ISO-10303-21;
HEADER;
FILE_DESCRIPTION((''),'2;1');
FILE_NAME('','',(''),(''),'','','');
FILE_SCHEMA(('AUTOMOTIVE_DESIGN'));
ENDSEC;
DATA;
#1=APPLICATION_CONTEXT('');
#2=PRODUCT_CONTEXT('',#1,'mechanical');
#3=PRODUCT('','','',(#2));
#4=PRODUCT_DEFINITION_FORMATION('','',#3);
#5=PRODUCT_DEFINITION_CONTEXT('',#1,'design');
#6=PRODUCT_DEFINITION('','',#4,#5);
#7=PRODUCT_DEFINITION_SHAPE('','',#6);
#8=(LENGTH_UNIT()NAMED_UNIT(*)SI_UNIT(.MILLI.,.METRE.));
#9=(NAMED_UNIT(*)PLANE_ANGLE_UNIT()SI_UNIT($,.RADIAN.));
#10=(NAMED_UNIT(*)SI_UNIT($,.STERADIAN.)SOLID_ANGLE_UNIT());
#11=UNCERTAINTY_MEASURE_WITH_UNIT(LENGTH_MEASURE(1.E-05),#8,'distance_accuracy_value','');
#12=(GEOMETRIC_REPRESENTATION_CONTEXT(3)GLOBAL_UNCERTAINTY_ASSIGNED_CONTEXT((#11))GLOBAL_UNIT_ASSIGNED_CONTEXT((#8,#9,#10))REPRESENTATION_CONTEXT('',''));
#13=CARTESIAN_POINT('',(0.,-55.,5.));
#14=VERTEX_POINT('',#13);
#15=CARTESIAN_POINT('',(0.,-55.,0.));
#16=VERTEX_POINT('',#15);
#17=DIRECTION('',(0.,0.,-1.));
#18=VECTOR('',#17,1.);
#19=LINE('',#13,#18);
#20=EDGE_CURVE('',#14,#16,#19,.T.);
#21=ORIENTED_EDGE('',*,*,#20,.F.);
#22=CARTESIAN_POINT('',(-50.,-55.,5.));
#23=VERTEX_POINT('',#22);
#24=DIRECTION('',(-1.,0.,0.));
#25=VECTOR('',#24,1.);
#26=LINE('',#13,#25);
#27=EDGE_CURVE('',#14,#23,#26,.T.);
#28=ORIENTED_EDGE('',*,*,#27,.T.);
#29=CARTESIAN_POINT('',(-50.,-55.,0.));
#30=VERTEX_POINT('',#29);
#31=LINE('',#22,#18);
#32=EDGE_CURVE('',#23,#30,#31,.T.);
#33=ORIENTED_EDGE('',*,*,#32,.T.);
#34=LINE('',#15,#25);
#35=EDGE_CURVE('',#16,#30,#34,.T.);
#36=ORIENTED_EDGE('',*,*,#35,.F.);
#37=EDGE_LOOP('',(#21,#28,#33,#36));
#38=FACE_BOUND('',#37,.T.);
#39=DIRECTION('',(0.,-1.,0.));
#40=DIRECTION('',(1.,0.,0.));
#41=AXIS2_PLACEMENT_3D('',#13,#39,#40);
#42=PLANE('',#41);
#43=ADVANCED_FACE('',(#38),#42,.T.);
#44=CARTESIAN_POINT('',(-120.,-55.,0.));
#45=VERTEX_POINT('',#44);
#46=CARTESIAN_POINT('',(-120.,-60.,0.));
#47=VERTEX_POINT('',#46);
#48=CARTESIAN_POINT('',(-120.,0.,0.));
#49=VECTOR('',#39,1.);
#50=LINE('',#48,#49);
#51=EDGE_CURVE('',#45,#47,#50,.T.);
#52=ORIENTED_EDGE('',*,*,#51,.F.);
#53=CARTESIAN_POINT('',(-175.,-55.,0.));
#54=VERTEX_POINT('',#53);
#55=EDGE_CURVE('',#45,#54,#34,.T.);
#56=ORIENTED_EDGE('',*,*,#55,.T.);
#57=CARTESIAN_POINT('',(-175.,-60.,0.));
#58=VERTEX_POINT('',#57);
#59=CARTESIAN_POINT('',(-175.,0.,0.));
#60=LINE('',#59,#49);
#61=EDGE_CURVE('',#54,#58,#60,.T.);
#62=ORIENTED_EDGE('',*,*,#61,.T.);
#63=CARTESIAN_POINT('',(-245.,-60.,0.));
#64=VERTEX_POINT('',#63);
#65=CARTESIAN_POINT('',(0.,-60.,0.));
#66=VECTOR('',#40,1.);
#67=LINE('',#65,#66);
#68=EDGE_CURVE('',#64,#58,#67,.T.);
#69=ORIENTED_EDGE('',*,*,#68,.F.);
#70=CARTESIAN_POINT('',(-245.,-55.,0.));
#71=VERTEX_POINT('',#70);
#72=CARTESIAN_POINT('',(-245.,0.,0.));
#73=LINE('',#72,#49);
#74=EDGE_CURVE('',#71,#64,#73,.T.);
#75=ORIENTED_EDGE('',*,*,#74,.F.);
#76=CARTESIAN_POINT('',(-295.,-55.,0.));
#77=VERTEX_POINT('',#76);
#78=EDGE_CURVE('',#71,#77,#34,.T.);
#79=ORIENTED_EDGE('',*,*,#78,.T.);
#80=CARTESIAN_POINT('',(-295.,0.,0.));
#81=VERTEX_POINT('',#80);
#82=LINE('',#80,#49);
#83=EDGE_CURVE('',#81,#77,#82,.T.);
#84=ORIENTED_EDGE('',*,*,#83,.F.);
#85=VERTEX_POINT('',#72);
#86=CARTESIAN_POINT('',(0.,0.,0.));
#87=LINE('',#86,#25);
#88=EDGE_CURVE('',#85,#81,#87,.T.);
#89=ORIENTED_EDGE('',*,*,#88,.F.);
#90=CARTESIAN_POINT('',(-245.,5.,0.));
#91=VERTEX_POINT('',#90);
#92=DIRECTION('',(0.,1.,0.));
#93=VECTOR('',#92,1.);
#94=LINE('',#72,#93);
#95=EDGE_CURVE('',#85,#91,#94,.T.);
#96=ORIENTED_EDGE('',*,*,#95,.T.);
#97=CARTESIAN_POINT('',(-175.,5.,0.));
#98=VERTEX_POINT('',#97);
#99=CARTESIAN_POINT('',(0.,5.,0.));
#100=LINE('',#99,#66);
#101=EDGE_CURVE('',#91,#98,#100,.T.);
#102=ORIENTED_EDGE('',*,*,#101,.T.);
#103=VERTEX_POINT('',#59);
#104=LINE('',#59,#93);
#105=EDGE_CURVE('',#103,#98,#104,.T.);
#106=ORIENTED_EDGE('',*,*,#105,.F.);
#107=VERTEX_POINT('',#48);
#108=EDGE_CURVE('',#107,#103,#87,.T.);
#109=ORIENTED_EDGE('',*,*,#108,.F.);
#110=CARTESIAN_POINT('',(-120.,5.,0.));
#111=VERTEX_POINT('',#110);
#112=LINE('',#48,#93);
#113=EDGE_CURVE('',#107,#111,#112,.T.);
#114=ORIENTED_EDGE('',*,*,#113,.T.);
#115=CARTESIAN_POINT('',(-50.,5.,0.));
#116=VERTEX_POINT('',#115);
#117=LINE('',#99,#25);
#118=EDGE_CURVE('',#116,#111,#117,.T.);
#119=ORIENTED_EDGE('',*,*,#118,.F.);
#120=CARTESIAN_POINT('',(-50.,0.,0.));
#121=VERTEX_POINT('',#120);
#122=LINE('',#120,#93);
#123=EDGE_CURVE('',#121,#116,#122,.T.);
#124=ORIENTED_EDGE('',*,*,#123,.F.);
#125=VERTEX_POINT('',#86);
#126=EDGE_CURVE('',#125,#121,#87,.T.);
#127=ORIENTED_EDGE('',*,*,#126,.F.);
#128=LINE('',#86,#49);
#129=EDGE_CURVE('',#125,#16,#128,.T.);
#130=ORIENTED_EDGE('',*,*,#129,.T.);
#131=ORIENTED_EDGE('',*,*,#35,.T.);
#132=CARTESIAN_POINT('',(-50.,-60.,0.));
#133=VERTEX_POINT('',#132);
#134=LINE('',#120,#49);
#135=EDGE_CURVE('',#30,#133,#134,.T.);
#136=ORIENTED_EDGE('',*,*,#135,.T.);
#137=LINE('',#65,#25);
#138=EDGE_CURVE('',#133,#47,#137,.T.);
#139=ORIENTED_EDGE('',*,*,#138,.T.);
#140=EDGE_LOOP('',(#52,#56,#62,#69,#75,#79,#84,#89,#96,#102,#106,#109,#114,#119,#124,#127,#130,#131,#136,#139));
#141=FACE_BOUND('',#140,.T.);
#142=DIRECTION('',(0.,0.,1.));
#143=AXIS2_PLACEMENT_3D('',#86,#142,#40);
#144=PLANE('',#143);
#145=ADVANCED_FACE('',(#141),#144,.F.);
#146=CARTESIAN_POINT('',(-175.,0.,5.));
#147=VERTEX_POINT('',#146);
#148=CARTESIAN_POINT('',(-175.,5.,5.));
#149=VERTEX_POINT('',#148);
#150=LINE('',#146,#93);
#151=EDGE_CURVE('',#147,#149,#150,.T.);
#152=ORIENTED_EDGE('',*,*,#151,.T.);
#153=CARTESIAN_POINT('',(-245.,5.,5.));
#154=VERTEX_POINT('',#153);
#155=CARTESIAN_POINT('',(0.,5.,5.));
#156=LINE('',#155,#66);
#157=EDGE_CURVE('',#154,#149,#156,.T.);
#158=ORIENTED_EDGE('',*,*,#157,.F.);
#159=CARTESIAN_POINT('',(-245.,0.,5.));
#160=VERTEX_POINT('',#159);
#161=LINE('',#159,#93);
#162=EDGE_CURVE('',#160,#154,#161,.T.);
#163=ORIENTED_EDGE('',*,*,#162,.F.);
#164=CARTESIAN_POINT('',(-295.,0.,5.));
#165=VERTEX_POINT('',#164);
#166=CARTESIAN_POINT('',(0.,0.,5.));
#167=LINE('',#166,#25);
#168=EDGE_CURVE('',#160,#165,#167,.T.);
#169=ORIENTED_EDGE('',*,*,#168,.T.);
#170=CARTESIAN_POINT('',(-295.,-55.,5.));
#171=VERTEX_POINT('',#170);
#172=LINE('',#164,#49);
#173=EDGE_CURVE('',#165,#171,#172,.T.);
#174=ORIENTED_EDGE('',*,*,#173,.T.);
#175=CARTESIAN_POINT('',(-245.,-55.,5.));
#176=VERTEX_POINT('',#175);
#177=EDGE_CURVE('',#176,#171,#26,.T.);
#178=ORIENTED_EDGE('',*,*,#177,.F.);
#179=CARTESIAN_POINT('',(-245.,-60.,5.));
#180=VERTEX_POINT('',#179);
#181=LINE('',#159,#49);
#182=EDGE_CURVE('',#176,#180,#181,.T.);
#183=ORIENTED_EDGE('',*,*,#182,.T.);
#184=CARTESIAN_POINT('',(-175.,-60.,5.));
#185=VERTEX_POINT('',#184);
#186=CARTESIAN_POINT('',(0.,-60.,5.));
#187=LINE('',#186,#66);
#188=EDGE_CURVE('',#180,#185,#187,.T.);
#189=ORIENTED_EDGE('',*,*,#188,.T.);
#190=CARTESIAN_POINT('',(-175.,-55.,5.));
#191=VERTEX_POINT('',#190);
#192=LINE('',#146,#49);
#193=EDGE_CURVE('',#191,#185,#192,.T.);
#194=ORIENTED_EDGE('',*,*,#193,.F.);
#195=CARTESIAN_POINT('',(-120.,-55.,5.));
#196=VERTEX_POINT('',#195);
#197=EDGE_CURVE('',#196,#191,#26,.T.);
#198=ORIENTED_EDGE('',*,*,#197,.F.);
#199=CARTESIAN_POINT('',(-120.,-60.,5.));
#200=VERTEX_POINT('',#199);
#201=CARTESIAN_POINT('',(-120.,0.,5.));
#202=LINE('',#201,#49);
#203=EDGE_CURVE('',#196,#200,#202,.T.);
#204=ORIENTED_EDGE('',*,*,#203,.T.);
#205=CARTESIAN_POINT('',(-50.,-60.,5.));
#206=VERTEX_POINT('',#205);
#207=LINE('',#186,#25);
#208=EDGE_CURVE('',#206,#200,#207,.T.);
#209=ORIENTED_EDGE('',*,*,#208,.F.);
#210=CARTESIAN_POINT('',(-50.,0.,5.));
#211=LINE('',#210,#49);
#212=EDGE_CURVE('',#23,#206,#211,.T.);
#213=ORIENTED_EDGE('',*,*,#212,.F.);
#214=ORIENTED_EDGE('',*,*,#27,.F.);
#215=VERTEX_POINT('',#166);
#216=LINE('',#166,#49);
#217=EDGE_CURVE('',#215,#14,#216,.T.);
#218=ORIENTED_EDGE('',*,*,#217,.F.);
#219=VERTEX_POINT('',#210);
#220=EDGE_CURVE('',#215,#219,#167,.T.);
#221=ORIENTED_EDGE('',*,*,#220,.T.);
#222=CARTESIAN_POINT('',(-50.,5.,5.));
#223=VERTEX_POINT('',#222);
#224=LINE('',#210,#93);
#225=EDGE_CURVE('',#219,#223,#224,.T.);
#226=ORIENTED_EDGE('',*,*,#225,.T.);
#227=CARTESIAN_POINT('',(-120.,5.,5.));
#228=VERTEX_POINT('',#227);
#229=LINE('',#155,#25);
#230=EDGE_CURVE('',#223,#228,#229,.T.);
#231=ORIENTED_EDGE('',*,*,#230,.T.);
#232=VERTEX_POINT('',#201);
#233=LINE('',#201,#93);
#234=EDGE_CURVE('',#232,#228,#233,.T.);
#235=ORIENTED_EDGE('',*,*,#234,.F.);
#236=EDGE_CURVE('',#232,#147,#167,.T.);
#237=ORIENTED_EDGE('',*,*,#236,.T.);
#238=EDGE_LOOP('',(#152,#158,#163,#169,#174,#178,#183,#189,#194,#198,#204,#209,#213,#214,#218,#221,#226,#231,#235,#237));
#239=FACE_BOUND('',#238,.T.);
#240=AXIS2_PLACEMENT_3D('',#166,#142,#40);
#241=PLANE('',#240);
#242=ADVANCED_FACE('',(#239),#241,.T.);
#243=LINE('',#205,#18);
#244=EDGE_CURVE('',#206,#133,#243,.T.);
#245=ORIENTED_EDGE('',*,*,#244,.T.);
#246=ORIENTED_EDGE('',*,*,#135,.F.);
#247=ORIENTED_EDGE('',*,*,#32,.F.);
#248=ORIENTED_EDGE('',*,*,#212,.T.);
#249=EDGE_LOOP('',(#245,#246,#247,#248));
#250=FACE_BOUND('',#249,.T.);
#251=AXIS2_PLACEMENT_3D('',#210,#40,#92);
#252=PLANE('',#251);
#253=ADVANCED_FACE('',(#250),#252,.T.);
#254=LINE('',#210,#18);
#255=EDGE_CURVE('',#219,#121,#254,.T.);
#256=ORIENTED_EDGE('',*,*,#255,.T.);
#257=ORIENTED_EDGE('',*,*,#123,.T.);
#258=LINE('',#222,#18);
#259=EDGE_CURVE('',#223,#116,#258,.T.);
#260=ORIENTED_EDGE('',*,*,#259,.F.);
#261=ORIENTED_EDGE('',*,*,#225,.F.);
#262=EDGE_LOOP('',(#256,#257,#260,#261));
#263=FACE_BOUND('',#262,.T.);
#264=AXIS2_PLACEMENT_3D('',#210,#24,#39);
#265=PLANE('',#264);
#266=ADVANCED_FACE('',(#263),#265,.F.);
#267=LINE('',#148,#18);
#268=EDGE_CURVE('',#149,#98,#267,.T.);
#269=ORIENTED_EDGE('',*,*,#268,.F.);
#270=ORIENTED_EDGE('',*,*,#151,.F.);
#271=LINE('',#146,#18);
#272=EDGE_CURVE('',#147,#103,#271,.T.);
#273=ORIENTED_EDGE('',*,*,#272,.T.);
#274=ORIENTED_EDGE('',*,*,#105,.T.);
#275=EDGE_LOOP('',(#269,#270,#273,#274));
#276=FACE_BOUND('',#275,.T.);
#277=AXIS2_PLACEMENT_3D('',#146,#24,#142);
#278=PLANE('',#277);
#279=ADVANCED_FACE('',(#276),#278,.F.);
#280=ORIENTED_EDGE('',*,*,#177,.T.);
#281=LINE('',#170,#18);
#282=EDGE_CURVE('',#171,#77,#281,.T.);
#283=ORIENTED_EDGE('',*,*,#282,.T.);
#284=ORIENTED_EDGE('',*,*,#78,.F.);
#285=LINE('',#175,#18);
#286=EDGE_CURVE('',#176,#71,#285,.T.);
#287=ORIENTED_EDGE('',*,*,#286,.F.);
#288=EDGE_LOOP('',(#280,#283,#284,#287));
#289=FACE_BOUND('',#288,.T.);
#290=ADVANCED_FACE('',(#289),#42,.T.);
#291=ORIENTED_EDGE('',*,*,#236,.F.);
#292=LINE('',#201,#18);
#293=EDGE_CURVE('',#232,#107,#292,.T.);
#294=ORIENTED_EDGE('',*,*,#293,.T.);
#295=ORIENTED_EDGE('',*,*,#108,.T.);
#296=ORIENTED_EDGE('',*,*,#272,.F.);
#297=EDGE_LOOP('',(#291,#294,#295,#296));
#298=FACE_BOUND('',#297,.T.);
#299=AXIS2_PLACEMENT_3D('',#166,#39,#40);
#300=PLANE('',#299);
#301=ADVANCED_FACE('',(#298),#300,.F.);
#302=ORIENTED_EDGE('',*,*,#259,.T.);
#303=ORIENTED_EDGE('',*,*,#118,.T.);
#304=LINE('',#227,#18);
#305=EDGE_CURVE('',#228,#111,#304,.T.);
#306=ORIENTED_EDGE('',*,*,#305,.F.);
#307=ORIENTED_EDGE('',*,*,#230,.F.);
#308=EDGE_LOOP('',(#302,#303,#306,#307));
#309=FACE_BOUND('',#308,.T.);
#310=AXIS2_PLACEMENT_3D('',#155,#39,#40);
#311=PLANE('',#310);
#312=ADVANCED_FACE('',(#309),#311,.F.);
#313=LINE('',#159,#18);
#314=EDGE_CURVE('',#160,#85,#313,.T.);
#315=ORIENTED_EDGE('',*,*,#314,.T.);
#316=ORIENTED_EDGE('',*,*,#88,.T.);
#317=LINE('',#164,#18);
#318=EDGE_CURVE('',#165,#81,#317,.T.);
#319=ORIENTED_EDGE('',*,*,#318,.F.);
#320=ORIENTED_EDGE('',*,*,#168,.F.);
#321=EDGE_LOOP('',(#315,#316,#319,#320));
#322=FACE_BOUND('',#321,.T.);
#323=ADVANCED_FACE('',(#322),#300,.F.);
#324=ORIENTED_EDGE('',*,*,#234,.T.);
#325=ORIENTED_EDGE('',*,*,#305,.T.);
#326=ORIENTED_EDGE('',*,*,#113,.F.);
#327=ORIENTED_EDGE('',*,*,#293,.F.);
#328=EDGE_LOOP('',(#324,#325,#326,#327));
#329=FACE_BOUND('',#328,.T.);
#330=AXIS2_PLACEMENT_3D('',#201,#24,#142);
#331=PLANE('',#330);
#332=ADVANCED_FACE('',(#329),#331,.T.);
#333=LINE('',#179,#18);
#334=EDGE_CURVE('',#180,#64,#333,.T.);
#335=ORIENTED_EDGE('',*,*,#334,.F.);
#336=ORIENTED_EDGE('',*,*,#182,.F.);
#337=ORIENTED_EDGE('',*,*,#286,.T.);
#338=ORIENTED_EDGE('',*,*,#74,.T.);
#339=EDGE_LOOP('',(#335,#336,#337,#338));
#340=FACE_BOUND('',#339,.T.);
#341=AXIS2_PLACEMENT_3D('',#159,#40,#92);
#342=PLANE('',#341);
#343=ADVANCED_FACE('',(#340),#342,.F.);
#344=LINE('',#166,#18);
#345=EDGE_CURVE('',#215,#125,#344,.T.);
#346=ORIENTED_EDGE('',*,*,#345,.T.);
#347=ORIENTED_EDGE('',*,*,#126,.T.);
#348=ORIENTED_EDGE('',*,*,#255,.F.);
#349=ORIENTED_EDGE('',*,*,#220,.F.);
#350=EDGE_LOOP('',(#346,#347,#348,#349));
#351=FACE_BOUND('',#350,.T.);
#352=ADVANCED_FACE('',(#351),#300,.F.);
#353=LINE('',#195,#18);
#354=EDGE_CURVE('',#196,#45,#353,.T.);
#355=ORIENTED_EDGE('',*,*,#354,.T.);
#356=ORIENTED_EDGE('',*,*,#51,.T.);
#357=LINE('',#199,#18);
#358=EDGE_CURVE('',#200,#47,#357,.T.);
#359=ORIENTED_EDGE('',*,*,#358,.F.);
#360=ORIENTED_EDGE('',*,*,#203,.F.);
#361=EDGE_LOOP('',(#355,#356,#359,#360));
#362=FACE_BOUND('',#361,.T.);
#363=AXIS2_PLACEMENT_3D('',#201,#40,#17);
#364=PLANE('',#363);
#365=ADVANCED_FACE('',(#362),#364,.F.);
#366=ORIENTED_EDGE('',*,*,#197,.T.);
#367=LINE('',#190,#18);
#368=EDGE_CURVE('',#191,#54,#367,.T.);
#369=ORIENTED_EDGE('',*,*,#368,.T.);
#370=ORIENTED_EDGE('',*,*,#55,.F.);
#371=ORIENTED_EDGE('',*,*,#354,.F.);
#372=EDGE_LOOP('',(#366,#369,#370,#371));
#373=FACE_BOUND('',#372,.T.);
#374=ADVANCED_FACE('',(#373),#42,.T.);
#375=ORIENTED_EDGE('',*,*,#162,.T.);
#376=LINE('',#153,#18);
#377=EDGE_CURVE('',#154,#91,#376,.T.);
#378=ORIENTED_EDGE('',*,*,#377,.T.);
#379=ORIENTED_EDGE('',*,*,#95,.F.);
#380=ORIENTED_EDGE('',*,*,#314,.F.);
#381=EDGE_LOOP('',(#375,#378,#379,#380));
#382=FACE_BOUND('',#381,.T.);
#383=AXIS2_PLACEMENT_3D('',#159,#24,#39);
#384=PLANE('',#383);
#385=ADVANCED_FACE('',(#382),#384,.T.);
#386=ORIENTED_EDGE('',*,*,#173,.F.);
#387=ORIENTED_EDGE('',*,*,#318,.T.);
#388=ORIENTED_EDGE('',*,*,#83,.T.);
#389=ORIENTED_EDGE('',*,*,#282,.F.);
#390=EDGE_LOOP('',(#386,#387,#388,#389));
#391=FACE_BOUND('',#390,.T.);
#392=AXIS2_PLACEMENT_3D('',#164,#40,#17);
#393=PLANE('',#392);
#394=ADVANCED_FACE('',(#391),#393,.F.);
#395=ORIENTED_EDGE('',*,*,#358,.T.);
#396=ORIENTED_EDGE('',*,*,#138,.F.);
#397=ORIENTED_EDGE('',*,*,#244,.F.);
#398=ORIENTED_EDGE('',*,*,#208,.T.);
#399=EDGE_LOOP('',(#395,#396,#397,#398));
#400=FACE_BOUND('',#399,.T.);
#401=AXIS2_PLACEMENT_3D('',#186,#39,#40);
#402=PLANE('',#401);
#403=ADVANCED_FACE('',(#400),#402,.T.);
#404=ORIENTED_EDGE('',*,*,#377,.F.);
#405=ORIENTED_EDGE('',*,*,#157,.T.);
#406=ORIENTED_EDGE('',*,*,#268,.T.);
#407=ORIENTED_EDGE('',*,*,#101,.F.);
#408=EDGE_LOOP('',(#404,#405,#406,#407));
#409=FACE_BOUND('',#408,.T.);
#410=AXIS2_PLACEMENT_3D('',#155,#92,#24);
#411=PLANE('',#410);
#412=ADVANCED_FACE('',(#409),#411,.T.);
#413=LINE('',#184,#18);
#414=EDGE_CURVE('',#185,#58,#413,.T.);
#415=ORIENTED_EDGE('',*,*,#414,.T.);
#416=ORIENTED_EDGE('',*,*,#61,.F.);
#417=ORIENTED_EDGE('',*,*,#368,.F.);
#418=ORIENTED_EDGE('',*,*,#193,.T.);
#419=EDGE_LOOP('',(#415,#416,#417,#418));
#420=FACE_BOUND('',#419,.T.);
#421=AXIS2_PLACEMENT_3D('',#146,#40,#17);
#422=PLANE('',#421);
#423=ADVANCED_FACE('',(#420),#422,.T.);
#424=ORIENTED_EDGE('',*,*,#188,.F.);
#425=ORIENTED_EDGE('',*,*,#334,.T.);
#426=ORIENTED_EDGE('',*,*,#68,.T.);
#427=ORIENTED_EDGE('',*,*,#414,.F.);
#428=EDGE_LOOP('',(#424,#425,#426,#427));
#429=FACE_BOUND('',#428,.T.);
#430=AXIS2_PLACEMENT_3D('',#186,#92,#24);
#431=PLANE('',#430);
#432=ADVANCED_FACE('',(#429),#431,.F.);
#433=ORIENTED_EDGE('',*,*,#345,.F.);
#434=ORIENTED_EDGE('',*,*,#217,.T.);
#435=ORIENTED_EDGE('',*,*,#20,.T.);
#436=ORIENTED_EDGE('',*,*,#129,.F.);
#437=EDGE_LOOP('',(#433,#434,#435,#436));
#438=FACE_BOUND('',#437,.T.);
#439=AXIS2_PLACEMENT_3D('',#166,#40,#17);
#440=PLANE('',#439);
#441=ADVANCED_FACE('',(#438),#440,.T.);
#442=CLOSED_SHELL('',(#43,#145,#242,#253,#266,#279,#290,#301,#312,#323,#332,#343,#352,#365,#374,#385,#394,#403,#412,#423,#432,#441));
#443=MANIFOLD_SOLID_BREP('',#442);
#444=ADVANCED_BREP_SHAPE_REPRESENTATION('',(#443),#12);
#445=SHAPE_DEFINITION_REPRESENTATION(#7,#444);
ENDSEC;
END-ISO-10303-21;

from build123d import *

# Parameters (mm, degrees)
SKETCH1_W           = 295
SKETCH1_H           = 55
SKETCH1_W_2         = 70
SKETCH1_H_2         = 5
BOSS_EXTRUDE1_DEPTH = 5


with BuildPart() as part:
    # Sketch1 → Boss-Extrude1 (new body)
    with BuildSketch(Plane.XY):
        with Locations((-147.5, -27.5)):
            Rectangle(SKETCH1_W, SKETCH1_H)
        with Locations((-210, 2.5)):
            Rectangle(SKETCH1_W_2, SKETCH1_H_2)
        with Locations((-210, -57.5)):
            Rectangle(SKETCH1_W_2, SKETCH1_H_2)
        with Locations((-85, 2.5)):
            Rectangle(SKETCH1_W_2, SKETCH1_H_2)
        with Locations((-85, -57.5)):
            Rectangle(SKETCH1_W_2, SKETCH1_H_2)
    extrude(amount=BOSS_EXTRUDE1_DEPTH)


solid = part.part
